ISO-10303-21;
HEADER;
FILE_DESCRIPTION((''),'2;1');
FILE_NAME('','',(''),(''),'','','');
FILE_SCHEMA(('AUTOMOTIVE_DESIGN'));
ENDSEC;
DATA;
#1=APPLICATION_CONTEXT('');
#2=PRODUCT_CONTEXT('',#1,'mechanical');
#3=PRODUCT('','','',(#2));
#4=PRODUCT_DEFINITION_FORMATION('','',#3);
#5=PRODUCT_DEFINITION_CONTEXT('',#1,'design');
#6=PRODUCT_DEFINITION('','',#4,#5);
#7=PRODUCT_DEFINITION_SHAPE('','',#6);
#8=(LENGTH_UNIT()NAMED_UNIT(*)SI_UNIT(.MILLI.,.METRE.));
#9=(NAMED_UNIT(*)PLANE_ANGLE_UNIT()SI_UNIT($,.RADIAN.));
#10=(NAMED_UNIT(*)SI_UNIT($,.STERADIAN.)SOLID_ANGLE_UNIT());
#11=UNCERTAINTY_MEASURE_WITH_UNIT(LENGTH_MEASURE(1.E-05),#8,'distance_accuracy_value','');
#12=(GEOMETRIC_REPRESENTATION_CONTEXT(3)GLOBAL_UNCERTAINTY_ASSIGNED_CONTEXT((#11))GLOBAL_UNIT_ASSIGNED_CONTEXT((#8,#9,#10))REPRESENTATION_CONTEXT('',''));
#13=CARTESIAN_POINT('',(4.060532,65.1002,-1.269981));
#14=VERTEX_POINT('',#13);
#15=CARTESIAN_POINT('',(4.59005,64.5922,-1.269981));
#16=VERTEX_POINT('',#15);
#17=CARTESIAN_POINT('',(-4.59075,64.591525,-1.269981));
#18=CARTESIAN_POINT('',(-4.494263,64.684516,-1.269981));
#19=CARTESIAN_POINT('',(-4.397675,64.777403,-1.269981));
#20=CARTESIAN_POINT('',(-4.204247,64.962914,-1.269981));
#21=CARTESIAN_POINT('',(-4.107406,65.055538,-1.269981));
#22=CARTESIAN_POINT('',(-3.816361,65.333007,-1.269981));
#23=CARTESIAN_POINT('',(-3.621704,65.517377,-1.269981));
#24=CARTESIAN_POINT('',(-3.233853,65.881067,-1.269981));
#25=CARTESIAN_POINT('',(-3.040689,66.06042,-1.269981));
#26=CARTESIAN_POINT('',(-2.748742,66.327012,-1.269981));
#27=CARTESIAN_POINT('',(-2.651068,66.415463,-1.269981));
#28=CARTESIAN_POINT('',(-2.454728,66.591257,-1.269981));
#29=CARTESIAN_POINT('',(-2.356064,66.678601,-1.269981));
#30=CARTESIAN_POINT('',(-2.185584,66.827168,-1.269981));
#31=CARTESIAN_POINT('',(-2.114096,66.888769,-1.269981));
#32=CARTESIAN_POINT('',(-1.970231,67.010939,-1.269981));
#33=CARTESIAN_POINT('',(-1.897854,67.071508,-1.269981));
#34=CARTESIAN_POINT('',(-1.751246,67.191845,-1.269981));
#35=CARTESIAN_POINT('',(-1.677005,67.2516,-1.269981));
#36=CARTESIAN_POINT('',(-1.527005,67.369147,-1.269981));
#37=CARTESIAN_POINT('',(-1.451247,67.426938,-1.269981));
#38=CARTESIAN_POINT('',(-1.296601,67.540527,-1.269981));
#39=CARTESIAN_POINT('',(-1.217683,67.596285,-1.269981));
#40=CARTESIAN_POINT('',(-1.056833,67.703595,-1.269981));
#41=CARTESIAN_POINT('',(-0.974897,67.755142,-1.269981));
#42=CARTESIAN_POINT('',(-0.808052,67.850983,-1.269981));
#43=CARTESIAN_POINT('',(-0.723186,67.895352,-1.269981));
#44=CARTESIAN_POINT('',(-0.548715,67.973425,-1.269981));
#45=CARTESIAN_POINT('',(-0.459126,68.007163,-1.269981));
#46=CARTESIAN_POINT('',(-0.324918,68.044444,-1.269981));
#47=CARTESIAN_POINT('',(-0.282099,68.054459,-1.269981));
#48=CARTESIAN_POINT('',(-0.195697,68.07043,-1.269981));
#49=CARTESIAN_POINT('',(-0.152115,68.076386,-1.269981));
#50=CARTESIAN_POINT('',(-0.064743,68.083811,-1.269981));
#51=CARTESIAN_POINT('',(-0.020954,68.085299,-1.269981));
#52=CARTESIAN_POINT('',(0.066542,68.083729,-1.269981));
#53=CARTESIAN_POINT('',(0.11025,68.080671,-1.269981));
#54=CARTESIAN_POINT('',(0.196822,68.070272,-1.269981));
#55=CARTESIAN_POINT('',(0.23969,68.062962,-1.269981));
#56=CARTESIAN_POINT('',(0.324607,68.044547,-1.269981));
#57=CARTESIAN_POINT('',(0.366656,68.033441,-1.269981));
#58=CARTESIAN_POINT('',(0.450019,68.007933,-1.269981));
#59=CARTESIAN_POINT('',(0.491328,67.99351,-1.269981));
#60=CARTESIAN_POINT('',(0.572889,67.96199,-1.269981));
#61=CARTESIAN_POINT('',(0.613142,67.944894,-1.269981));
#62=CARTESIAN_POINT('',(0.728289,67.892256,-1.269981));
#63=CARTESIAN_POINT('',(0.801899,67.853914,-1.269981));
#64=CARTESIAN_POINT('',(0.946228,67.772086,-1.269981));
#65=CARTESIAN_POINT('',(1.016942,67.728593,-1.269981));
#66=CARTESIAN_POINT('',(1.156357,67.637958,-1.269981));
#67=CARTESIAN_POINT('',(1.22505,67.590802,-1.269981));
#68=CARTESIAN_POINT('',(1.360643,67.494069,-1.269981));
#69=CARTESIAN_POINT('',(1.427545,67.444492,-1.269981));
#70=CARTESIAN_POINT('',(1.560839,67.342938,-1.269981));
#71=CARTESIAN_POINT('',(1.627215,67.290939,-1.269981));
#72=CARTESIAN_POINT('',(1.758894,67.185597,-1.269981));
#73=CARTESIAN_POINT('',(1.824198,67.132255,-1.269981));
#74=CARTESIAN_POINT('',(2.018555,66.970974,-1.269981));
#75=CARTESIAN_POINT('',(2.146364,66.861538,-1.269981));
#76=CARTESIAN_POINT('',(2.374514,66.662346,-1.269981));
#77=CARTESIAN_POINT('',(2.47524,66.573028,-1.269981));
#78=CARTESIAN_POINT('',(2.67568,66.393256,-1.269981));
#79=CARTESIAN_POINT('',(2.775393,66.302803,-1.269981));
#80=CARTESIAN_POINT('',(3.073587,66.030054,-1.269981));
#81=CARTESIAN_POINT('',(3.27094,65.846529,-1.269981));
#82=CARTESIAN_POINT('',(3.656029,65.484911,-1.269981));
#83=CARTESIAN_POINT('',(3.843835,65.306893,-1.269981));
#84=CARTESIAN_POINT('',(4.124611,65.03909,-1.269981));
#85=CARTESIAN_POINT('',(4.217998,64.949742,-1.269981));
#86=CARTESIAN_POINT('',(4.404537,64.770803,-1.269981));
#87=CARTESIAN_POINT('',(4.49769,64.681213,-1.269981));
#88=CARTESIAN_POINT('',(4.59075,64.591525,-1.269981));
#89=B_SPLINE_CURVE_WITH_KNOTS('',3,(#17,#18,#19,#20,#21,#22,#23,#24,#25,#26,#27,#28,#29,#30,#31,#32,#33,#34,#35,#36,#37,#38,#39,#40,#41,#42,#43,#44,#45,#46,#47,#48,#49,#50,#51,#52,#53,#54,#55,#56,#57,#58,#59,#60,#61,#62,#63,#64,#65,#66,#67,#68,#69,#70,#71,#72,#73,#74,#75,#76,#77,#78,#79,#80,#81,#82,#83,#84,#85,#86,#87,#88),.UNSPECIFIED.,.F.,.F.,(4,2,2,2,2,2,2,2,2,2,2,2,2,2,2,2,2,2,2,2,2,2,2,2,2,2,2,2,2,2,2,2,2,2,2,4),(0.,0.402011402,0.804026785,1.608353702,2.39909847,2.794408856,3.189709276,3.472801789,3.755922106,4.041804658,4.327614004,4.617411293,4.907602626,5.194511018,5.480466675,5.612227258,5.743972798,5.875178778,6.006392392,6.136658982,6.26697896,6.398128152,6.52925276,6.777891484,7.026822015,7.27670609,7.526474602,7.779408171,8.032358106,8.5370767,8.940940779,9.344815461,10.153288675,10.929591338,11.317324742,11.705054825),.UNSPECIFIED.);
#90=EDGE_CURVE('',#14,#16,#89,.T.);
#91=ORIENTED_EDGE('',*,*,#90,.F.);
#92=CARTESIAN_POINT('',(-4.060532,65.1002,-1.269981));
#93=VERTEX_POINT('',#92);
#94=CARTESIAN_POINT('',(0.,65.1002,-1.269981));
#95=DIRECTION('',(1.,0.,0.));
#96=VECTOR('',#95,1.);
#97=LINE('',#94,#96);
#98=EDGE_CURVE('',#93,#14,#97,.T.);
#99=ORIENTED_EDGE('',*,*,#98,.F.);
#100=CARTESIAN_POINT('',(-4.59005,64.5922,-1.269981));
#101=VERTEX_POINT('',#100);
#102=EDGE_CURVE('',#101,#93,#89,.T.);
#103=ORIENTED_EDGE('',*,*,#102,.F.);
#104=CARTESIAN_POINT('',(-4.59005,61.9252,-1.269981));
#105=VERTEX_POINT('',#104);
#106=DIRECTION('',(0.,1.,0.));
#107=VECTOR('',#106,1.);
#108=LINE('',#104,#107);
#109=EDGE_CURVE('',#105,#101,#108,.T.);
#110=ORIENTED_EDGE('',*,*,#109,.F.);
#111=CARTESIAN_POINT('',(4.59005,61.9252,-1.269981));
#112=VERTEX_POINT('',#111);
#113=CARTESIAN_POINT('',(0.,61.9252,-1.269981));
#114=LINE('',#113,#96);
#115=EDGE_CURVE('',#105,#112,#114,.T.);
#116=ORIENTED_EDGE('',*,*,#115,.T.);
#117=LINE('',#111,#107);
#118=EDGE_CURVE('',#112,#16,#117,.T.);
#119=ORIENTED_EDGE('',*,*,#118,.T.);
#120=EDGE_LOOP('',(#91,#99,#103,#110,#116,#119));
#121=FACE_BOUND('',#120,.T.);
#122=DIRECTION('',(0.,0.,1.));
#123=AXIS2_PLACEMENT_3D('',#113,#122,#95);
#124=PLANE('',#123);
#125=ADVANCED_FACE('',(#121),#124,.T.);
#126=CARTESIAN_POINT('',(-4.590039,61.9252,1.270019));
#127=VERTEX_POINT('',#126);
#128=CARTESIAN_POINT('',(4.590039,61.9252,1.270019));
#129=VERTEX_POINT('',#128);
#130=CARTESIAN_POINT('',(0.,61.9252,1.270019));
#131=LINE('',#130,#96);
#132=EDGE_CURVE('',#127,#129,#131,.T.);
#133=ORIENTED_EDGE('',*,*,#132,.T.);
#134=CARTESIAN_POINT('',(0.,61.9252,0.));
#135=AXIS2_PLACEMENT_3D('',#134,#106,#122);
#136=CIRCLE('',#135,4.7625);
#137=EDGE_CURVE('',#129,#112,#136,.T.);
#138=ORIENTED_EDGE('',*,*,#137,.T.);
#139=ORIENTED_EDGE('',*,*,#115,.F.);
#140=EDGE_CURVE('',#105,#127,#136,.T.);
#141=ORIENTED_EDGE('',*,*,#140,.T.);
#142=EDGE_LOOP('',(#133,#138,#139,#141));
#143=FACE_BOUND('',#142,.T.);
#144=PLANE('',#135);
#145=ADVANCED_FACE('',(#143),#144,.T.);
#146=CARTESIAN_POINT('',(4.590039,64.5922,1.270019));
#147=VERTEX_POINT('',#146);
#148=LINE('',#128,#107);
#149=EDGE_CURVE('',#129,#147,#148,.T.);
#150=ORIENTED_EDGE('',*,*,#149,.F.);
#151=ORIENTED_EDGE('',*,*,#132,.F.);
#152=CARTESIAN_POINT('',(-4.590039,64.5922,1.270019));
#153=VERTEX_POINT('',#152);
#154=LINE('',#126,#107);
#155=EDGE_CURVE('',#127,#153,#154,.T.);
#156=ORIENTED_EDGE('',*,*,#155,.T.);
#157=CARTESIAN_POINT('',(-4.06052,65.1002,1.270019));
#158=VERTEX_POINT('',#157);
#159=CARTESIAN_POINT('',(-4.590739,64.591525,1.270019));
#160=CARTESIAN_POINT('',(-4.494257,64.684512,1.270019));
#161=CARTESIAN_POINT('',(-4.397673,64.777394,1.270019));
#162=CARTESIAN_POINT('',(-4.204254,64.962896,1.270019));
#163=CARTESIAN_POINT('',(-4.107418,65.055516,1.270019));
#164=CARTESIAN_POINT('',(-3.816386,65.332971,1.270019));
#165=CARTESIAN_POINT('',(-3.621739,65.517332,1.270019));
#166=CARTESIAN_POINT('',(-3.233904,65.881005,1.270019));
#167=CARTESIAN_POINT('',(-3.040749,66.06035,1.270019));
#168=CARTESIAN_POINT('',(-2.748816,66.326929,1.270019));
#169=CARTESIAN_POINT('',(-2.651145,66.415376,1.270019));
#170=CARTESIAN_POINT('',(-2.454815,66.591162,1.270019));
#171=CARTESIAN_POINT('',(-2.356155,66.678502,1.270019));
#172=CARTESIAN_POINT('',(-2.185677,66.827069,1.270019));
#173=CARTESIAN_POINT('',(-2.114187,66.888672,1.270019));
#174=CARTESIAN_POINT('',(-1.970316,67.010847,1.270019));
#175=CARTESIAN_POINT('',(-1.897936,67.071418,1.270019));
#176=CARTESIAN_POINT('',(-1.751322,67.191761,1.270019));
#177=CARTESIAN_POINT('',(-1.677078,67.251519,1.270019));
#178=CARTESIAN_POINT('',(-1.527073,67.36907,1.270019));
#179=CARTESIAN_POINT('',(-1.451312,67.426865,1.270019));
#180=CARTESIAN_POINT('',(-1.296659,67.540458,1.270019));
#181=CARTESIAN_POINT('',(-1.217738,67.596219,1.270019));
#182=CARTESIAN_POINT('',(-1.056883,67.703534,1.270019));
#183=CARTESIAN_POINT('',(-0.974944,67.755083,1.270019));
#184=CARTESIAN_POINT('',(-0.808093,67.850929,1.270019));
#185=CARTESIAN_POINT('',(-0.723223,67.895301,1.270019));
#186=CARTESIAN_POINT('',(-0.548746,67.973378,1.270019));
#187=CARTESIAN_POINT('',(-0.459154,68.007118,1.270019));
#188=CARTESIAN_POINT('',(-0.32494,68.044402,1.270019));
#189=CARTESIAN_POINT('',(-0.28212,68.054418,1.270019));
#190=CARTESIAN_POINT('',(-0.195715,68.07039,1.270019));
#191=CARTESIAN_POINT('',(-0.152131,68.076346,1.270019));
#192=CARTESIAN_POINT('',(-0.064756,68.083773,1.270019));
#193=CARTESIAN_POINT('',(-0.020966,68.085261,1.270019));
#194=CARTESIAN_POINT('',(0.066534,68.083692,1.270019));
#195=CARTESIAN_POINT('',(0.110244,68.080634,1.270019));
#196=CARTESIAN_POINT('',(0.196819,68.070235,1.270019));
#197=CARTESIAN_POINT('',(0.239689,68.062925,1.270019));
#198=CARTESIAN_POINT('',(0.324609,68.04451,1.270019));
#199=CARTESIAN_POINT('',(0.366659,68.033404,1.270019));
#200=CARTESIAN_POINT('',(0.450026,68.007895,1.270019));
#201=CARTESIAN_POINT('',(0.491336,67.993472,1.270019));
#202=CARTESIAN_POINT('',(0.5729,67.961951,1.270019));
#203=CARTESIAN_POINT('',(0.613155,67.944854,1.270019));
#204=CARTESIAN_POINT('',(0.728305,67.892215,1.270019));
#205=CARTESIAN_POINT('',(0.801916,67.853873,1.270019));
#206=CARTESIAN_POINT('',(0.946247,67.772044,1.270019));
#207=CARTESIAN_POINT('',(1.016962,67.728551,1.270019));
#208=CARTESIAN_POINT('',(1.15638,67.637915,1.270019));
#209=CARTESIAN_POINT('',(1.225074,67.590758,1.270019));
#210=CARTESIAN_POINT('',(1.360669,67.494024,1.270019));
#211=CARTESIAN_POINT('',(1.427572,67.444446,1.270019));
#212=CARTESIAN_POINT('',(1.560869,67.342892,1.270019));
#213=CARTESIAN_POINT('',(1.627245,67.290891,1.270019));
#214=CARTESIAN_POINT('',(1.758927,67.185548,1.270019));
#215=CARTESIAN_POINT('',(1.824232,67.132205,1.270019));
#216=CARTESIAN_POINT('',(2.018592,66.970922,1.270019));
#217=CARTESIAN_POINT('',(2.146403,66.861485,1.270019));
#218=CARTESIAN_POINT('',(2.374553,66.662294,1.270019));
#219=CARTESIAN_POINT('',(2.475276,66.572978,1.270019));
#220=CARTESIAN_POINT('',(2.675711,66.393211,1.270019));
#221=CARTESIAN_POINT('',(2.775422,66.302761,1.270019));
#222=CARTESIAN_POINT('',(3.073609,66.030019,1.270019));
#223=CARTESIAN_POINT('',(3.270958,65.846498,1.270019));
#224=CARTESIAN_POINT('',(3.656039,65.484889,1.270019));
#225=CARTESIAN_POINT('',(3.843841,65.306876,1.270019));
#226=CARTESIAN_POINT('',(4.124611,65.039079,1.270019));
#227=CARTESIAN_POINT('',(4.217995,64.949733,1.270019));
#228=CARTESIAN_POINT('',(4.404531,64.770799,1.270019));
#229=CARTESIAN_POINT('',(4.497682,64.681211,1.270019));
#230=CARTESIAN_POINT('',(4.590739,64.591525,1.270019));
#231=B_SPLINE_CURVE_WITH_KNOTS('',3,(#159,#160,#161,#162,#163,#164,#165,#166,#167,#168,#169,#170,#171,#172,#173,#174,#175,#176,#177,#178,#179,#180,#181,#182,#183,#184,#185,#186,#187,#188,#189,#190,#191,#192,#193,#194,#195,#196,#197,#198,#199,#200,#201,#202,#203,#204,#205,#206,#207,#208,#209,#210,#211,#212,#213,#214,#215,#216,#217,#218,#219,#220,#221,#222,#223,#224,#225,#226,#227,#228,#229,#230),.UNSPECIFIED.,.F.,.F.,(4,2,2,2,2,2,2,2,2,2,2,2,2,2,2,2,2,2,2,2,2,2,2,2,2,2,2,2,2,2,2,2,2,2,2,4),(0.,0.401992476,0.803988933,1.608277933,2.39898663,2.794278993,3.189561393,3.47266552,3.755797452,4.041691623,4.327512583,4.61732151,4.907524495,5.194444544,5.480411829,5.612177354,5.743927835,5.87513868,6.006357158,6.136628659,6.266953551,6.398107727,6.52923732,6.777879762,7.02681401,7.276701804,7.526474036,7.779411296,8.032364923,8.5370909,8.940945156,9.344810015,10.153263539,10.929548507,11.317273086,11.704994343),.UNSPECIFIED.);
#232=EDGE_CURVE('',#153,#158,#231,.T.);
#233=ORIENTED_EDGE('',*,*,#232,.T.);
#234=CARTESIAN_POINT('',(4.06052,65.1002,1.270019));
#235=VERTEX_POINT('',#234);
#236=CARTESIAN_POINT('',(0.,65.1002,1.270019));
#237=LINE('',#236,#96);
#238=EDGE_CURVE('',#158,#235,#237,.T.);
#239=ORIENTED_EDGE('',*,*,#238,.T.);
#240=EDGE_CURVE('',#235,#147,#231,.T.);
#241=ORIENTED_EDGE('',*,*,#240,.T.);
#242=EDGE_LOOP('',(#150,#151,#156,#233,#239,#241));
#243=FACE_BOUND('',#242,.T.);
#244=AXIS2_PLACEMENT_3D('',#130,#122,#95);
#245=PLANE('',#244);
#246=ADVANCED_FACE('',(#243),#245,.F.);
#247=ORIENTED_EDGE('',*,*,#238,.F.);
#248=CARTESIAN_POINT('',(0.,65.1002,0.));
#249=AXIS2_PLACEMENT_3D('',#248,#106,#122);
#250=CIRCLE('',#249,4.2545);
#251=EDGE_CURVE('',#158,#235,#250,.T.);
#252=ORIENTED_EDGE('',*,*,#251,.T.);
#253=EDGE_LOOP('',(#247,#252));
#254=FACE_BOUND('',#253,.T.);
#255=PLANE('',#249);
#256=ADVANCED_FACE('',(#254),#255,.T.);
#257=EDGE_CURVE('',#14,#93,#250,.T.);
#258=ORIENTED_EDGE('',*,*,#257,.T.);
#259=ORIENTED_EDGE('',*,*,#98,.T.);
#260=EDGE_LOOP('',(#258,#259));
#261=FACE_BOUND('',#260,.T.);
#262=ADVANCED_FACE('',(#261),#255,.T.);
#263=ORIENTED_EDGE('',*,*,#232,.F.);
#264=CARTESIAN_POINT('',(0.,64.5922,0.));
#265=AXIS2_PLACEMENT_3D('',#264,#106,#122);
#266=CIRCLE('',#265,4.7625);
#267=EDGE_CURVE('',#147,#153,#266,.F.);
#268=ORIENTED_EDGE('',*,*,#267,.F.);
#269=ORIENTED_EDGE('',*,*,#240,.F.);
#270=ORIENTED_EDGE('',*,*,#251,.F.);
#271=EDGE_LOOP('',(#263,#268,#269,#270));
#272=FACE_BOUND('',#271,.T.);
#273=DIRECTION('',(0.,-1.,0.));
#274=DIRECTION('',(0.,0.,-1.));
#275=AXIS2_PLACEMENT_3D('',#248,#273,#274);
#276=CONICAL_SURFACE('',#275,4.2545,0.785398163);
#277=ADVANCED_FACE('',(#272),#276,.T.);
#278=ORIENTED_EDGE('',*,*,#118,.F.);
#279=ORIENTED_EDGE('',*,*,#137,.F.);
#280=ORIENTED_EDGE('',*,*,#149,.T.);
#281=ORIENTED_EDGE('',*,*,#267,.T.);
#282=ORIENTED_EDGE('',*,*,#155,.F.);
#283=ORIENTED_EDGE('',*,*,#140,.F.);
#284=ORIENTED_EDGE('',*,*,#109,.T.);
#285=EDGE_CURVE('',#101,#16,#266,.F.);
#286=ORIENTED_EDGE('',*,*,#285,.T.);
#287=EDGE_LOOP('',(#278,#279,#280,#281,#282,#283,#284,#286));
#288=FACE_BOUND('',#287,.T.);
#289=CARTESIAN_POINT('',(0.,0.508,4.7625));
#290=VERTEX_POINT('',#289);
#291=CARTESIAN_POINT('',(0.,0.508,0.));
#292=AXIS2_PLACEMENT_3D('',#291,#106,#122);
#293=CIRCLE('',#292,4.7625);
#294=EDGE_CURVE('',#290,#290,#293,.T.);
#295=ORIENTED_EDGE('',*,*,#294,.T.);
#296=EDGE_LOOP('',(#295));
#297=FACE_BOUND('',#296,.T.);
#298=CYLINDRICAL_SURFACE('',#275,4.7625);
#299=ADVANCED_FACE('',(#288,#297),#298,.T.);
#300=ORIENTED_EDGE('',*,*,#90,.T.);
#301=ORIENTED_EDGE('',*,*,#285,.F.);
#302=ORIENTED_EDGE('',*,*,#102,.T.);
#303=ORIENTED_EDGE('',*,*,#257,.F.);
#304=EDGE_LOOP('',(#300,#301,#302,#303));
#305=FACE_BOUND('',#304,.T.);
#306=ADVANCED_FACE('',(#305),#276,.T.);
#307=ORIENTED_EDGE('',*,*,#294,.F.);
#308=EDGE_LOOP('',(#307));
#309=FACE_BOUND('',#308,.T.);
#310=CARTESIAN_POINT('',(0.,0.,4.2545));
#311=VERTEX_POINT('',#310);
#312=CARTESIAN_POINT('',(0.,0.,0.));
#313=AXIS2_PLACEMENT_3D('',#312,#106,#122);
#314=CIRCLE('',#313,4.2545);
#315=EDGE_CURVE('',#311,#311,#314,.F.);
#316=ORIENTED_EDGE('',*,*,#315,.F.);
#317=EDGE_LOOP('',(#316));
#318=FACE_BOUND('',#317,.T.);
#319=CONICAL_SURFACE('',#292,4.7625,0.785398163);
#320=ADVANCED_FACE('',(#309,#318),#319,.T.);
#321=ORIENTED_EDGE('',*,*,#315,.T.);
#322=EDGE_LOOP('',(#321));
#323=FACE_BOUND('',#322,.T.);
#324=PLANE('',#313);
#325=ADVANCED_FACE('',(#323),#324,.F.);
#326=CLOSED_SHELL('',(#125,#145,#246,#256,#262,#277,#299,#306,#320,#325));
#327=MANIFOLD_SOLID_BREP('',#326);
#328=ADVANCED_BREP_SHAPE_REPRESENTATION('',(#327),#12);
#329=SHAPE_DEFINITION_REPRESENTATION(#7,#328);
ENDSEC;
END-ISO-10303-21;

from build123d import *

# Parameters (mm, degrees)
SKETCH1_R           = 4.7625
BOSS_EXTRUDE1_DEPTH = 65.1002
CHAMFER1_SIZE       = 0.508
CUT_EXTRUDE1_DEPTH  = 3.175


with BuildPart() as part:
    # Sketch1 → Boss-Extrude1 (new body)
    with BuildSketch(Plane(origin=(0, 0, 0), x_dir=(1, 0, 0), z_dir=(0, 1, 0))):
        Circle(SKETCH1_R)
    extrude(amount=BOSS_EXTRUDE1_DEPTH)

    # Chamfer1
    chamfer1_edges = [part.edges().sort_by_distance(p)[0] for p in [
        (-4.7625, 0, 0),
        (-4.7625, 65.1002, 0),
    ]]
    chamfer(chamfer1_edges, length=CHAMFER1_SIZE)

    # Sketch2 → Cut-Extrude1 (cut)
    with BuildSketch(Plane(origin=(0, 65.1002, 0), x_dir=(1, 0, 0), z_dir=(0, 1, 0))):
        with BuildLine():
            Line((-4.590186764, -1.270018988), (4.65003157, -1.270018988))
            ThreePointArc((4.65003157, -1.270018988), (4.777248162, 0.003693467), (4.590049507, 1.269981012))
            Line((4.590049507, 1.269981012), (-4.649892524, 1.269981012))
            ThreePointArc((-4.649892524, 1.269981012), (-4.775788181, -0.003680045), (-4.590186764, -1.270018988))
        make_face()
    extrude(amount=-CUT_EXTRUDE1_DEPTH, mode=Mode.SUBTRACT)


solid = part.part
